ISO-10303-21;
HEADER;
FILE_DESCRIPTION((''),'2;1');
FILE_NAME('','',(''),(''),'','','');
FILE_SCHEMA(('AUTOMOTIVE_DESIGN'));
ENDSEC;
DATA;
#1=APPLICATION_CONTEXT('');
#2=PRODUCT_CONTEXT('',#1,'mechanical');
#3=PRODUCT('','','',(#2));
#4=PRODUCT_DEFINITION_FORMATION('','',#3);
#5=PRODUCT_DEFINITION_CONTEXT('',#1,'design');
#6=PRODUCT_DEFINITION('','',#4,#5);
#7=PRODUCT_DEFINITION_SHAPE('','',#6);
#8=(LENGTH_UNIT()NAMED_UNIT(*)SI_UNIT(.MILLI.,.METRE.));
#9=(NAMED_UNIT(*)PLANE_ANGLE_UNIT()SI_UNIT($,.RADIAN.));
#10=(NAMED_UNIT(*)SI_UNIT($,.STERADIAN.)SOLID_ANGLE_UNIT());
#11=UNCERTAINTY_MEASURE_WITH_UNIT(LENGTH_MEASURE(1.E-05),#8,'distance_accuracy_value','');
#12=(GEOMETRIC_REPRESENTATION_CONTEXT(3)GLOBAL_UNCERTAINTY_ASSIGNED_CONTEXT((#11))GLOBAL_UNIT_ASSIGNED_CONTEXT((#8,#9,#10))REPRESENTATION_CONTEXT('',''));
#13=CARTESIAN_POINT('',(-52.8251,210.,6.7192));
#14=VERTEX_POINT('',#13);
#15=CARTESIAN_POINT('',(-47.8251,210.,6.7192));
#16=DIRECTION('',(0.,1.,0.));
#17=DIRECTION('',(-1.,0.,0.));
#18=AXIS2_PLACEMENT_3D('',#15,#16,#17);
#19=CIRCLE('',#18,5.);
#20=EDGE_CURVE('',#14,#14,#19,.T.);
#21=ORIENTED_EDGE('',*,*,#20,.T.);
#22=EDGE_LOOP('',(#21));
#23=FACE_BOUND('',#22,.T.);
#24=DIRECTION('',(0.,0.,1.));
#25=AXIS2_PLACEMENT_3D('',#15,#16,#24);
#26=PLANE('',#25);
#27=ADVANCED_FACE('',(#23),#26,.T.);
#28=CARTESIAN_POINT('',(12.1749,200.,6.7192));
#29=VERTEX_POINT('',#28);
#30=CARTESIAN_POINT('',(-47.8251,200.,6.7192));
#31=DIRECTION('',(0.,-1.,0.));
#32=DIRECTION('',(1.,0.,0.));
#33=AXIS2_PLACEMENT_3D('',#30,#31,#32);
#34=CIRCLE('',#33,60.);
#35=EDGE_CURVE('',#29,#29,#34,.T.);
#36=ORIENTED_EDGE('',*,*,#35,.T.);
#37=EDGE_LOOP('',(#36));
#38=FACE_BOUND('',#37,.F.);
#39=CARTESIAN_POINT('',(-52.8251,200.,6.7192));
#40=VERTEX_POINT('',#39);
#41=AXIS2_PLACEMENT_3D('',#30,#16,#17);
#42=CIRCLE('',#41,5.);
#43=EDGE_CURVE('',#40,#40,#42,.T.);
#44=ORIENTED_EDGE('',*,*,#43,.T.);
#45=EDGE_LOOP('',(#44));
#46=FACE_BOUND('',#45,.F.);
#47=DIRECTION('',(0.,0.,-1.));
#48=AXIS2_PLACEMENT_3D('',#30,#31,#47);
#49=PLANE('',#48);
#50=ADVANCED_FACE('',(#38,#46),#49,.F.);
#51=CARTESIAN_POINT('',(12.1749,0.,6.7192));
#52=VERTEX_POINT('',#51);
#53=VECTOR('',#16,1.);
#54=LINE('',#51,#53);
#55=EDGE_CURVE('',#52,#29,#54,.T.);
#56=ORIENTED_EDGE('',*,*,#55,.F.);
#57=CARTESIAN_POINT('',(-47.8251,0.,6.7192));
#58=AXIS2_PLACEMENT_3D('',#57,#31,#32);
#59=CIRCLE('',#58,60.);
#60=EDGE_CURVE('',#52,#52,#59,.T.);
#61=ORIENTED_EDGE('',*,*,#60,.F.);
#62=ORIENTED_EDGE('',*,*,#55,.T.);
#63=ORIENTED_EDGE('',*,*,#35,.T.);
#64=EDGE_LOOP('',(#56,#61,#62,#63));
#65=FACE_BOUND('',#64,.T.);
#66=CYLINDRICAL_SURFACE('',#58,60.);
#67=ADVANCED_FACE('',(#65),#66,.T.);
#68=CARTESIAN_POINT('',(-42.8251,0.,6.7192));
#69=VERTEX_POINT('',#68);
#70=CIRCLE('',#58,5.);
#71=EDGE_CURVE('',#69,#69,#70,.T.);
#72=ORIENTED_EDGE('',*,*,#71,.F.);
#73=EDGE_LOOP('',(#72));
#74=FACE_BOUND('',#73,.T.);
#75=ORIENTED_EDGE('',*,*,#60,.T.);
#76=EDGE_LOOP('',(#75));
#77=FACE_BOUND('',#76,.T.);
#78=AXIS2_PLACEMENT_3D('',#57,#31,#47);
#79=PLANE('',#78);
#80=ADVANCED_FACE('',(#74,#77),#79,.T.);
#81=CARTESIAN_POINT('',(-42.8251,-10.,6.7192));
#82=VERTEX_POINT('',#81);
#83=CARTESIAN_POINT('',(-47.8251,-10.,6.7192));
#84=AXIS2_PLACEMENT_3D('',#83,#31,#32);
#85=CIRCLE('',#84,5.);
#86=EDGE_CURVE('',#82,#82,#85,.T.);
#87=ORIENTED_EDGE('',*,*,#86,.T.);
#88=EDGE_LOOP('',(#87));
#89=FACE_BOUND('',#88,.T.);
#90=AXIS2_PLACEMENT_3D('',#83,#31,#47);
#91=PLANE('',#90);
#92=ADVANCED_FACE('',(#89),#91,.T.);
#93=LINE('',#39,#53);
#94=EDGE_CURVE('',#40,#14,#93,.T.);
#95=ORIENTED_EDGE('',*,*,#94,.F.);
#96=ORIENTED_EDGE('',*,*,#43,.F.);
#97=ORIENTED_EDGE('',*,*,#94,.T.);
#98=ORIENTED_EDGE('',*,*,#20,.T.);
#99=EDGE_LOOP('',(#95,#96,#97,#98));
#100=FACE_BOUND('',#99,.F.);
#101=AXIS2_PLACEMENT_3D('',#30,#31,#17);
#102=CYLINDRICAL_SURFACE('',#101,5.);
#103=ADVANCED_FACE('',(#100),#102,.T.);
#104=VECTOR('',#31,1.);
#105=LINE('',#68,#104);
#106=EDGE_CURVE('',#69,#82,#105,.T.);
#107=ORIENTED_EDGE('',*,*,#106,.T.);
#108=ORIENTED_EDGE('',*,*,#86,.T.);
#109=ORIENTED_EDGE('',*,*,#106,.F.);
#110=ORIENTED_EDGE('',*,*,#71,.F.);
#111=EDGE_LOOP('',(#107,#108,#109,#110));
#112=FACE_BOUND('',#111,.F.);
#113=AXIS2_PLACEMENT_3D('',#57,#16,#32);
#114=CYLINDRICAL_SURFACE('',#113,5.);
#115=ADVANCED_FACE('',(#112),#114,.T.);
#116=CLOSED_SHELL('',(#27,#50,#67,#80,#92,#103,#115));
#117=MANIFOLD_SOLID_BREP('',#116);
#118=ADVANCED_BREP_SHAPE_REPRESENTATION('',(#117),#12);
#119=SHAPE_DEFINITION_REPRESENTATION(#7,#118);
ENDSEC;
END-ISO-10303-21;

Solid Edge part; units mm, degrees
sketch "Sketch1" plane through (0, 0, 0) normal (0, -1, 0) x (1, 0, 0)
  circle A0 centre (-47.8251, 6.7192) radius 60
extrude "Protrusion1" add sketch "Sketch1" against normal blind 200
sketch "Sketch2" plane through (-47.8251, 0, 6.7192) normal (0, -1, 0) x (1, 0, 0)
  circle A0 centre (0, 0) radius 5
extrude "ExtrudedProtrusion_3" add sketch "Sketch2" along normal blind 10
sketch "Sketch3" plane through (-47.8251, 200, 6.7192) normal (0, 1, 0) x (-1, 0, 0)
  circle A0 centre (0, 0) radius 5
extrude "ExtrudedProtrusion_4" add sketch "Sketch3" along normal blind 10
